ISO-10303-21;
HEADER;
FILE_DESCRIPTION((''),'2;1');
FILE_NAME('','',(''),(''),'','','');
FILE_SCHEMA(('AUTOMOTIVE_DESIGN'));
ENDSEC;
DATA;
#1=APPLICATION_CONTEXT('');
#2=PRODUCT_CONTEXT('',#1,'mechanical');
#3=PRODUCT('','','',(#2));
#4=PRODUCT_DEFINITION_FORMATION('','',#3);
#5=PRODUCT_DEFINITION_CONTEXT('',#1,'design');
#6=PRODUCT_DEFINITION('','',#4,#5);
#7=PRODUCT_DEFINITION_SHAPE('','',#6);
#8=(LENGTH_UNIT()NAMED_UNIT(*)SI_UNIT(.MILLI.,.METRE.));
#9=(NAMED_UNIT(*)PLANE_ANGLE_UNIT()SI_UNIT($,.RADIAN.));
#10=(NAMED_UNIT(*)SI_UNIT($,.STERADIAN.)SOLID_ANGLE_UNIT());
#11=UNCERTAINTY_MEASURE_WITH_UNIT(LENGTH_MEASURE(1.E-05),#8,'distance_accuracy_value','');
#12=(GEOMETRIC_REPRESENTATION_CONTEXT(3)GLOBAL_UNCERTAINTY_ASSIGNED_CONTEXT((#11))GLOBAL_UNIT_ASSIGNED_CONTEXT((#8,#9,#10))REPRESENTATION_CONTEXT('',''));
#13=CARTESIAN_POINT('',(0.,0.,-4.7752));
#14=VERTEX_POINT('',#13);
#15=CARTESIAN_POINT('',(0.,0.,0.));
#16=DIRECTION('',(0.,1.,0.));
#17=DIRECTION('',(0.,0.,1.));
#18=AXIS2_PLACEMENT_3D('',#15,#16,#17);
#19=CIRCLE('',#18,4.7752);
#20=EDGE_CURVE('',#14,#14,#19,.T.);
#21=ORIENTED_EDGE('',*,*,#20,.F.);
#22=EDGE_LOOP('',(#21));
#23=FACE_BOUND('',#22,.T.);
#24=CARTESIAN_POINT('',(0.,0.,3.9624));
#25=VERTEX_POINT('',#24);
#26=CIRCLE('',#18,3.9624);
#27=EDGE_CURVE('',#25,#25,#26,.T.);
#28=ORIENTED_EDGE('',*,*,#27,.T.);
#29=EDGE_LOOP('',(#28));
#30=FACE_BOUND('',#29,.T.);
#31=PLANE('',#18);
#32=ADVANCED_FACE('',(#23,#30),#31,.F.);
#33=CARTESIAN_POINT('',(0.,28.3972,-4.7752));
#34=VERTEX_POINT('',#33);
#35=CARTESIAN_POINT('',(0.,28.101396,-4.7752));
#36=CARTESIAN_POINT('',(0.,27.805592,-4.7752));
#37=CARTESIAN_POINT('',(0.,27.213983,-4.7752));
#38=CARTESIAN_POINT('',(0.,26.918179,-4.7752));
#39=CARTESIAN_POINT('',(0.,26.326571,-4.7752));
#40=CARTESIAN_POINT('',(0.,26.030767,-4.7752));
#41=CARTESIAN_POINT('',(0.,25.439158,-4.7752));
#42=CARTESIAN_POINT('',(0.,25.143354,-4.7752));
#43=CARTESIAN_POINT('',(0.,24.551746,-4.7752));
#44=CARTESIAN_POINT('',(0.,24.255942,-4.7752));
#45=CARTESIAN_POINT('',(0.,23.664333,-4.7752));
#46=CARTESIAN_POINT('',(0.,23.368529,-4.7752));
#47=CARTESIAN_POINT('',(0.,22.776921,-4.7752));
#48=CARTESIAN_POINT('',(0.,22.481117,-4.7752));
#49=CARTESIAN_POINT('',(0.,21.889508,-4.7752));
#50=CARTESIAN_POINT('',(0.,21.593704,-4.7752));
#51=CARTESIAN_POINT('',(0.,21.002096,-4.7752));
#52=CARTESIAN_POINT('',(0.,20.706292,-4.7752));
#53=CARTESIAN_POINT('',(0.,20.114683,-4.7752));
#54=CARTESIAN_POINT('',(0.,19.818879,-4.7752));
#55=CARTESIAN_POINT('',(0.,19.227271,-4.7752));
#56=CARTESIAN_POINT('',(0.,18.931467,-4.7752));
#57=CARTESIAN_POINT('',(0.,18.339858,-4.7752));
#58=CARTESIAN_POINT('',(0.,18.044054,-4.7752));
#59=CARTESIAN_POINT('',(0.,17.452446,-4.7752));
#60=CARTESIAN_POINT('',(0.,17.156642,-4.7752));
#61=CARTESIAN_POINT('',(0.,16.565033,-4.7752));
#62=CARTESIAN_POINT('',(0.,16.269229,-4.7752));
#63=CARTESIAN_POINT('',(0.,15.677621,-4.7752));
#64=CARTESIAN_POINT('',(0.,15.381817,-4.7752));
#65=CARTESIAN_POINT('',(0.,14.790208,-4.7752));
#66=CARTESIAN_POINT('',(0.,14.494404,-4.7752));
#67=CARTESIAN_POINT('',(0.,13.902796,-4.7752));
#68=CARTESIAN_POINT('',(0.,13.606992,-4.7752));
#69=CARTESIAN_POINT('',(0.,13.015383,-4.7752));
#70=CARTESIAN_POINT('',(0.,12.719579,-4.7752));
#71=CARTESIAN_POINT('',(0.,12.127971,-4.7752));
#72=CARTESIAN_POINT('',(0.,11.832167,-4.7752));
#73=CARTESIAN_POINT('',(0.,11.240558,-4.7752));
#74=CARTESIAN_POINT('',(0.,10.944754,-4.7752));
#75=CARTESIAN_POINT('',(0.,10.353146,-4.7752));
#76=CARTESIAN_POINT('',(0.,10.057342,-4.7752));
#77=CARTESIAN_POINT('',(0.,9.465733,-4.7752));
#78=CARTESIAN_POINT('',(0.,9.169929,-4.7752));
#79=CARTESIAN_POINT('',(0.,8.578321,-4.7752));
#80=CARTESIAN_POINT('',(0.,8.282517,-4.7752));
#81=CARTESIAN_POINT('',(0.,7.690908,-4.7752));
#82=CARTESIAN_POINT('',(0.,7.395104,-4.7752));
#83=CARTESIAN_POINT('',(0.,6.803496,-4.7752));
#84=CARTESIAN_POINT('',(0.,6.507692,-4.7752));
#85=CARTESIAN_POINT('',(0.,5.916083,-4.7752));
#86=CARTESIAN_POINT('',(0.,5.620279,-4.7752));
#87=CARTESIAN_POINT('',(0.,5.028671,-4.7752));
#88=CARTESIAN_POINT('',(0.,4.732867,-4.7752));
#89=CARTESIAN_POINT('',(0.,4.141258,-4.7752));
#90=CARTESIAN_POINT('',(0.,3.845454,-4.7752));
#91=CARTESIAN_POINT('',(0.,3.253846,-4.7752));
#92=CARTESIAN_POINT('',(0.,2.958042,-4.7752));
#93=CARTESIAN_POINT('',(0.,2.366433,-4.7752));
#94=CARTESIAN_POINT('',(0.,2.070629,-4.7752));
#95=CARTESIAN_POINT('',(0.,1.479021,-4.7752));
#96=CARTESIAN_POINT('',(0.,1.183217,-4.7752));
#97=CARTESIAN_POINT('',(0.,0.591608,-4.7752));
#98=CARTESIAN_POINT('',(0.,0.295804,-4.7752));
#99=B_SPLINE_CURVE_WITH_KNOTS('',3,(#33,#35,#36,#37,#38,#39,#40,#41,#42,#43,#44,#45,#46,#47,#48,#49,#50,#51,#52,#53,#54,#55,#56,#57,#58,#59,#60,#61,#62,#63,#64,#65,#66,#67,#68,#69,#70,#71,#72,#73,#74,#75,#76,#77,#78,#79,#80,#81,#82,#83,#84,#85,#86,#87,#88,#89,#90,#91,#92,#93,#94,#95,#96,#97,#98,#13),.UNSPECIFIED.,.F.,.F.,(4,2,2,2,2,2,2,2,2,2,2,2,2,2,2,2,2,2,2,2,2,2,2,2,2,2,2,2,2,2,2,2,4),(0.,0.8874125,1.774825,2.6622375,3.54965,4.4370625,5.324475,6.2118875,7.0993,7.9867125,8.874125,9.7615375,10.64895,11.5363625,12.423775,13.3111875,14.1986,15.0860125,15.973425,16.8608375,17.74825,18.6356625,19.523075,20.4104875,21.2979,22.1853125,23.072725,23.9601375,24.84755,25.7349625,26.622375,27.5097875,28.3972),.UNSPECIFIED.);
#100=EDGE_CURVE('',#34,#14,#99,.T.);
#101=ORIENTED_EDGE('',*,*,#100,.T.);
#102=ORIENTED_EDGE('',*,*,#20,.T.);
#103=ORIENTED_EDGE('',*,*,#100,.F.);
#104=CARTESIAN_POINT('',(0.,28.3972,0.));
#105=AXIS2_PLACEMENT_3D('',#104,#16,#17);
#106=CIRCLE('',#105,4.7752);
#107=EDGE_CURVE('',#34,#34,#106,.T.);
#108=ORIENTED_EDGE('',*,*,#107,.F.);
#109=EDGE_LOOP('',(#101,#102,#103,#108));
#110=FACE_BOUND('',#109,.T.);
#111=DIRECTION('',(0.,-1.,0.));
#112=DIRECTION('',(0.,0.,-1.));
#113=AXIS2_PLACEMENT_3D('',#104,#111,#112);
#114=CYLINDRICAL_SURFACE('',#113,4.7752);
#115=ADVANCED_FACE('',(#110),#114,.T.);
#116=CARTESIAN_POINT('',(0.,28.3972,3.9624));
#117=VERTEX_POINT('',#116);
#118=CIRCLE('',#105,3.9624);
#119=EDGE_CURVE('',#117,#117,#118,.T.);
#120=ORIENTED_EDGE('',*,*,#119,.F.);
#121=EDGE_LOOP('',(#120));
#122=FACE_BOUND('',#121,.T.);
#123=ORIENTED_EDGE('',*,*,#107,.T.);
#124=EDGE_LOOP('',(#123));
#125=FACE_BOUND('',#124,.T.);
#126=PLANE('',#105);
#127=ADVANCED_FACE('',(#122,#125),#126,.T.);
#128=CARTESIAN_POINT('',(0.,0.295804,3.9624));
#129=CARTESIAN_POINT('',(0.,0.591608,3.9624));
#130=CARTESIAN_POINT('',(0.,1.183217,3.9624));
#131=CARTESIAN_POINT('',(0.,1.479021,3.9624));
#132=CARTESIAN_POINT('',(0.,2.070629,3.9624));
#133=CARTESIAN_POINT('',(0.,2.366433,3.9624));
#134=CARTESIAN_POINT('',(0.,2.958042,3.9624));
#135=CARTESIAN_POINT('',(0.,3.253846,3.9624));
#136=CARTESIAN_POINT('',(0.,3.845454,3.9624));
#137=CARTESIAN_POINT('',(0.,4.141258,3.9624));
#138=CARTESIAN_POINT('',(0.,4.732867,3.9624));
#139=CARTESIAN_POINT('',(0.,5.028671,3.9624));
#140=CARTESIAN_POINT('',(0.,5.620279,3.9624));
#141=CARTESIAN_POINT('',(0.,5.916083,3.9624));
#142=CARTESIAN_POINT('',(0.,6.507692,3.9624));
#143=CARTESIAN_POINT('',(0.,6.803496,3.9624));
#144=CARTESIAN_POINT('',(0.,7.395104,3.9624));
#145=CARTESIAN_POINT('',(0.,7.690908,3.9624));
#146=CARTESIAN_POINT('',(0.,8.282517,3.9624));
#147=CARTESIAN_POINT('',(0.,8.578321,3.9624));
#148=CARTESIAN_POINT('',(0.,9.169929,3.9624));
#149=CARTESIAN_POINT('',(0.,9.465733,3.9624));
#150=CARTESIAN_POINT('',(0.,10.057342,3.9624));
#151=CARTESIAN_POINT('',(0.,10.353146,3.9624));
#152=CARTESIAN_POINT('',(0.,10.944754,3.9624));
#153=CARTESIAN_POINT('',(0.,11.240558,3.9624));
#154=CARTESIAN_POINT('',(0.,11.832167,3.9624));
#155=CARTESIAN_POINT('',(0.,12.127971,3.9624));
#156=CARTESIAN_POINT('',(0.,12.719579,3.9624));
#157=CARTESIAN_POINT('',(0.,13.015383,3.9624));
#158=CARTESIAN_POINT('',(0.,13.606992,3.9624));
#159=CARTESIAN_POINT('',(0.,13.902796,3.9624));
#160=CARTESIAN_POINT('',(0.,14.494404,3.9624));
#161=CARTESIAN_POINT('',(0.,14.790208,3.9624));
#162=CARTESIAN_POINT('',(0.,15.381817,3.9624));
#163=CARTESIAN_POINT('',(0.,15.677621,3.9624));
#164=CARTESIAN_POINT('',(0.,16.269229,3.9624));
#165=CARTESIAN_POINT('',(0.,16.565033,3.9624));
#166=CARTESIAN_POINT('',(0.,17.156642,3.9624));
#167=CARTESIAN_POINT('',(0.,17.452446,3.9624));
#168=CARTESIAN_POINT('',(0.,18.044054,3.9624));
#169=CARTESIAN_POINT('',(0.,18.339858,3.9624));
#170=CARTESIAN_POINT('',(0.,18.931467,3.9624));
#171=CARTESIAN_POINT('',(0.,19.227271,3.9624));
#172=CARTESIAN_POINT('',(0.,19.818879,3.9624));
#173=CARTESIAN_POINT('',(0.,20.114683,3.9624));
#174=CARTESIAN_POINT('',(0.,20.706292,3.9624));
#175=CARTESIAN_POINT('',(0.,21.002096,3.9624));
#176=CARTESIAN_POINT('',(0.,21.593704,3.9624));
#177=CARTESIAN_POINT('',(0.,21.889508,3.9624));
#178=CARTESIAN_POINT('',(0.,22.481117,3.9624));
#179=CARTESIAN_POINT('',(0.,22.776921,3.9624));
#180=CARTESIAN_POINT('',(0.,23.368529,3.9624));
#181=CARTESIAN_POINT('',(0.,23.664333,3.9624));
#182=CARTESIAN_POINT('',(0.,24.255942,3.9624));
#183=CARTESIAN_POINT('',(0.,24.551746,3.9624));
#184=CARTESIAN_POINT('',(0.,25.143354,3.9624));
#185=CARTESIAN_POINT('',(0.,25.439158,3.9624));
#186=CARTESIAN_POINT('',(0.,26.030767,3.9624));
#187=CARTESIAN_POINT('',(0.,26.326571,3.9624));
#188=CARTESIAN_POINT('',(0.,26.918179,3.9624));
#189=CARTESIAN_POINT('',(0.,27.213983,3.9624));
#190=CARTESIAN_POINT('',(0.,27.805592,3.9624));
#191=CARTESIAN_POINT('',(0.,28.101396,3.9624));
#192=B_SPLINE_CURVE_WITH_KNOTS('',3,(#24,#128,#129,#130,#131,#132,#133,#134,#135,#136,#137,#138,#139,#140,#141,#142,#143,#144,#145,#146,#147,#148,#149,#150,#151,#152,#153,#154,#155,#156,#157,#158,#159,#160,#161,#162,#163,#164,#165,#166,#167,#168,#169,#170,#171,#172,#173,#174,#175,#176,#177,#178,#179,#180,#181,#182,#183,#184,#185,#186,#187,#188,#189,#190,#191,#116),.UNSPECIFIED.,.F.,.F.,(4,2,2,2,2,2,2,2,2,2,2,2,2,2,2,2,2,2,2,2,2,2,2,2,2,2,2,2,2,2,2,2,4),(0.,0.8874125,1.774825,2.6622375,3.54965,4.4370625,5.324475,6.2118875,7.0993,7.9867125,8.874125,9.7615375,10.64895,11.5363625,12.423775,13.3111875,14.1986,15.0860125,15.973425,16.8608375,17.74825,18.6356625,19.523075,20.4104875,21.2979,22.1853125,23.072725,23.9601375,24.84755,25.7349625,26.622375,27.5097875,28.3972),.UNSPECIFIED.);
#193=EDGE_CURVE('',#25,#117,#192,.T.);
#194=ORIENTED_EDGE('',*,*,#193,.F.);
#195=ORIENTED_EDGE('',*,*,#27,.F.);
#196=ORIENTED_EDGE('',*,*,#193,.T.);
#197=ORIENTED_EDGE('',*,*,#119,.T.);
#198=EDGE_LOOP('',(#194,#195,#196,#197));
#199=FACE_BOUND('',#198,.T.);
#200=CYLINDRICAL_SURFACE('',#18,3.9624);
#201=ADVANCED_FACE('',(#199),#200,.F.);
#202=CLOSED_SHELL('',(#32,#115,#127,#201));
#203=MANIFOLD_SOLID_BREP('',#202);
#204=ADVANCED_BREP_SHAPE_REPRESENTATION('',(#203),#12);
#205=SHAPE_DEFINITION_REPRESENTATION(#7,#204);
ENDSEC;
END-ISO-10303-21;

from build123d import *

# Parameters (mm, degrees)
SKETCH2_R           = 4.7752
BOSS_EXTRUDE1_DEPTH = 28.3972
SKETCH3_R           = 3.9624
CUT_EXTRUDE1_DEPTH  = 28.3972


with BuildPart() as part:
    # Sketch2 → Boss-Extrude1 (new body)
    with BuildSketch(Plane(origin=(0, 0, 0), x_dir=(1, 0, 0), z_dir=(0, 1, 0))):
        with Locations(Location((0, 0, 0), (0, 0, 90))):
            Circle(SKETCH2_R)
    extrude(amount=BOSS_EXTRUDE1_DEPTH)

    # Sketch3 → Cut-Extrude1 (cut)
    with BuildSketch(Plane(origin=(0, 28.3972, 0), x_dir=(1, 0, 0), z_dir=(0, 1, 0))):
        with Locations(Location((0, 0, 0), (0, 0, 270))):
            Circle(SKETCH3_R)
    extrude(amount=-CUT_EXTRUDE1_DEPTH, mode=Mode.SUBTRACT)


solid = part.part
